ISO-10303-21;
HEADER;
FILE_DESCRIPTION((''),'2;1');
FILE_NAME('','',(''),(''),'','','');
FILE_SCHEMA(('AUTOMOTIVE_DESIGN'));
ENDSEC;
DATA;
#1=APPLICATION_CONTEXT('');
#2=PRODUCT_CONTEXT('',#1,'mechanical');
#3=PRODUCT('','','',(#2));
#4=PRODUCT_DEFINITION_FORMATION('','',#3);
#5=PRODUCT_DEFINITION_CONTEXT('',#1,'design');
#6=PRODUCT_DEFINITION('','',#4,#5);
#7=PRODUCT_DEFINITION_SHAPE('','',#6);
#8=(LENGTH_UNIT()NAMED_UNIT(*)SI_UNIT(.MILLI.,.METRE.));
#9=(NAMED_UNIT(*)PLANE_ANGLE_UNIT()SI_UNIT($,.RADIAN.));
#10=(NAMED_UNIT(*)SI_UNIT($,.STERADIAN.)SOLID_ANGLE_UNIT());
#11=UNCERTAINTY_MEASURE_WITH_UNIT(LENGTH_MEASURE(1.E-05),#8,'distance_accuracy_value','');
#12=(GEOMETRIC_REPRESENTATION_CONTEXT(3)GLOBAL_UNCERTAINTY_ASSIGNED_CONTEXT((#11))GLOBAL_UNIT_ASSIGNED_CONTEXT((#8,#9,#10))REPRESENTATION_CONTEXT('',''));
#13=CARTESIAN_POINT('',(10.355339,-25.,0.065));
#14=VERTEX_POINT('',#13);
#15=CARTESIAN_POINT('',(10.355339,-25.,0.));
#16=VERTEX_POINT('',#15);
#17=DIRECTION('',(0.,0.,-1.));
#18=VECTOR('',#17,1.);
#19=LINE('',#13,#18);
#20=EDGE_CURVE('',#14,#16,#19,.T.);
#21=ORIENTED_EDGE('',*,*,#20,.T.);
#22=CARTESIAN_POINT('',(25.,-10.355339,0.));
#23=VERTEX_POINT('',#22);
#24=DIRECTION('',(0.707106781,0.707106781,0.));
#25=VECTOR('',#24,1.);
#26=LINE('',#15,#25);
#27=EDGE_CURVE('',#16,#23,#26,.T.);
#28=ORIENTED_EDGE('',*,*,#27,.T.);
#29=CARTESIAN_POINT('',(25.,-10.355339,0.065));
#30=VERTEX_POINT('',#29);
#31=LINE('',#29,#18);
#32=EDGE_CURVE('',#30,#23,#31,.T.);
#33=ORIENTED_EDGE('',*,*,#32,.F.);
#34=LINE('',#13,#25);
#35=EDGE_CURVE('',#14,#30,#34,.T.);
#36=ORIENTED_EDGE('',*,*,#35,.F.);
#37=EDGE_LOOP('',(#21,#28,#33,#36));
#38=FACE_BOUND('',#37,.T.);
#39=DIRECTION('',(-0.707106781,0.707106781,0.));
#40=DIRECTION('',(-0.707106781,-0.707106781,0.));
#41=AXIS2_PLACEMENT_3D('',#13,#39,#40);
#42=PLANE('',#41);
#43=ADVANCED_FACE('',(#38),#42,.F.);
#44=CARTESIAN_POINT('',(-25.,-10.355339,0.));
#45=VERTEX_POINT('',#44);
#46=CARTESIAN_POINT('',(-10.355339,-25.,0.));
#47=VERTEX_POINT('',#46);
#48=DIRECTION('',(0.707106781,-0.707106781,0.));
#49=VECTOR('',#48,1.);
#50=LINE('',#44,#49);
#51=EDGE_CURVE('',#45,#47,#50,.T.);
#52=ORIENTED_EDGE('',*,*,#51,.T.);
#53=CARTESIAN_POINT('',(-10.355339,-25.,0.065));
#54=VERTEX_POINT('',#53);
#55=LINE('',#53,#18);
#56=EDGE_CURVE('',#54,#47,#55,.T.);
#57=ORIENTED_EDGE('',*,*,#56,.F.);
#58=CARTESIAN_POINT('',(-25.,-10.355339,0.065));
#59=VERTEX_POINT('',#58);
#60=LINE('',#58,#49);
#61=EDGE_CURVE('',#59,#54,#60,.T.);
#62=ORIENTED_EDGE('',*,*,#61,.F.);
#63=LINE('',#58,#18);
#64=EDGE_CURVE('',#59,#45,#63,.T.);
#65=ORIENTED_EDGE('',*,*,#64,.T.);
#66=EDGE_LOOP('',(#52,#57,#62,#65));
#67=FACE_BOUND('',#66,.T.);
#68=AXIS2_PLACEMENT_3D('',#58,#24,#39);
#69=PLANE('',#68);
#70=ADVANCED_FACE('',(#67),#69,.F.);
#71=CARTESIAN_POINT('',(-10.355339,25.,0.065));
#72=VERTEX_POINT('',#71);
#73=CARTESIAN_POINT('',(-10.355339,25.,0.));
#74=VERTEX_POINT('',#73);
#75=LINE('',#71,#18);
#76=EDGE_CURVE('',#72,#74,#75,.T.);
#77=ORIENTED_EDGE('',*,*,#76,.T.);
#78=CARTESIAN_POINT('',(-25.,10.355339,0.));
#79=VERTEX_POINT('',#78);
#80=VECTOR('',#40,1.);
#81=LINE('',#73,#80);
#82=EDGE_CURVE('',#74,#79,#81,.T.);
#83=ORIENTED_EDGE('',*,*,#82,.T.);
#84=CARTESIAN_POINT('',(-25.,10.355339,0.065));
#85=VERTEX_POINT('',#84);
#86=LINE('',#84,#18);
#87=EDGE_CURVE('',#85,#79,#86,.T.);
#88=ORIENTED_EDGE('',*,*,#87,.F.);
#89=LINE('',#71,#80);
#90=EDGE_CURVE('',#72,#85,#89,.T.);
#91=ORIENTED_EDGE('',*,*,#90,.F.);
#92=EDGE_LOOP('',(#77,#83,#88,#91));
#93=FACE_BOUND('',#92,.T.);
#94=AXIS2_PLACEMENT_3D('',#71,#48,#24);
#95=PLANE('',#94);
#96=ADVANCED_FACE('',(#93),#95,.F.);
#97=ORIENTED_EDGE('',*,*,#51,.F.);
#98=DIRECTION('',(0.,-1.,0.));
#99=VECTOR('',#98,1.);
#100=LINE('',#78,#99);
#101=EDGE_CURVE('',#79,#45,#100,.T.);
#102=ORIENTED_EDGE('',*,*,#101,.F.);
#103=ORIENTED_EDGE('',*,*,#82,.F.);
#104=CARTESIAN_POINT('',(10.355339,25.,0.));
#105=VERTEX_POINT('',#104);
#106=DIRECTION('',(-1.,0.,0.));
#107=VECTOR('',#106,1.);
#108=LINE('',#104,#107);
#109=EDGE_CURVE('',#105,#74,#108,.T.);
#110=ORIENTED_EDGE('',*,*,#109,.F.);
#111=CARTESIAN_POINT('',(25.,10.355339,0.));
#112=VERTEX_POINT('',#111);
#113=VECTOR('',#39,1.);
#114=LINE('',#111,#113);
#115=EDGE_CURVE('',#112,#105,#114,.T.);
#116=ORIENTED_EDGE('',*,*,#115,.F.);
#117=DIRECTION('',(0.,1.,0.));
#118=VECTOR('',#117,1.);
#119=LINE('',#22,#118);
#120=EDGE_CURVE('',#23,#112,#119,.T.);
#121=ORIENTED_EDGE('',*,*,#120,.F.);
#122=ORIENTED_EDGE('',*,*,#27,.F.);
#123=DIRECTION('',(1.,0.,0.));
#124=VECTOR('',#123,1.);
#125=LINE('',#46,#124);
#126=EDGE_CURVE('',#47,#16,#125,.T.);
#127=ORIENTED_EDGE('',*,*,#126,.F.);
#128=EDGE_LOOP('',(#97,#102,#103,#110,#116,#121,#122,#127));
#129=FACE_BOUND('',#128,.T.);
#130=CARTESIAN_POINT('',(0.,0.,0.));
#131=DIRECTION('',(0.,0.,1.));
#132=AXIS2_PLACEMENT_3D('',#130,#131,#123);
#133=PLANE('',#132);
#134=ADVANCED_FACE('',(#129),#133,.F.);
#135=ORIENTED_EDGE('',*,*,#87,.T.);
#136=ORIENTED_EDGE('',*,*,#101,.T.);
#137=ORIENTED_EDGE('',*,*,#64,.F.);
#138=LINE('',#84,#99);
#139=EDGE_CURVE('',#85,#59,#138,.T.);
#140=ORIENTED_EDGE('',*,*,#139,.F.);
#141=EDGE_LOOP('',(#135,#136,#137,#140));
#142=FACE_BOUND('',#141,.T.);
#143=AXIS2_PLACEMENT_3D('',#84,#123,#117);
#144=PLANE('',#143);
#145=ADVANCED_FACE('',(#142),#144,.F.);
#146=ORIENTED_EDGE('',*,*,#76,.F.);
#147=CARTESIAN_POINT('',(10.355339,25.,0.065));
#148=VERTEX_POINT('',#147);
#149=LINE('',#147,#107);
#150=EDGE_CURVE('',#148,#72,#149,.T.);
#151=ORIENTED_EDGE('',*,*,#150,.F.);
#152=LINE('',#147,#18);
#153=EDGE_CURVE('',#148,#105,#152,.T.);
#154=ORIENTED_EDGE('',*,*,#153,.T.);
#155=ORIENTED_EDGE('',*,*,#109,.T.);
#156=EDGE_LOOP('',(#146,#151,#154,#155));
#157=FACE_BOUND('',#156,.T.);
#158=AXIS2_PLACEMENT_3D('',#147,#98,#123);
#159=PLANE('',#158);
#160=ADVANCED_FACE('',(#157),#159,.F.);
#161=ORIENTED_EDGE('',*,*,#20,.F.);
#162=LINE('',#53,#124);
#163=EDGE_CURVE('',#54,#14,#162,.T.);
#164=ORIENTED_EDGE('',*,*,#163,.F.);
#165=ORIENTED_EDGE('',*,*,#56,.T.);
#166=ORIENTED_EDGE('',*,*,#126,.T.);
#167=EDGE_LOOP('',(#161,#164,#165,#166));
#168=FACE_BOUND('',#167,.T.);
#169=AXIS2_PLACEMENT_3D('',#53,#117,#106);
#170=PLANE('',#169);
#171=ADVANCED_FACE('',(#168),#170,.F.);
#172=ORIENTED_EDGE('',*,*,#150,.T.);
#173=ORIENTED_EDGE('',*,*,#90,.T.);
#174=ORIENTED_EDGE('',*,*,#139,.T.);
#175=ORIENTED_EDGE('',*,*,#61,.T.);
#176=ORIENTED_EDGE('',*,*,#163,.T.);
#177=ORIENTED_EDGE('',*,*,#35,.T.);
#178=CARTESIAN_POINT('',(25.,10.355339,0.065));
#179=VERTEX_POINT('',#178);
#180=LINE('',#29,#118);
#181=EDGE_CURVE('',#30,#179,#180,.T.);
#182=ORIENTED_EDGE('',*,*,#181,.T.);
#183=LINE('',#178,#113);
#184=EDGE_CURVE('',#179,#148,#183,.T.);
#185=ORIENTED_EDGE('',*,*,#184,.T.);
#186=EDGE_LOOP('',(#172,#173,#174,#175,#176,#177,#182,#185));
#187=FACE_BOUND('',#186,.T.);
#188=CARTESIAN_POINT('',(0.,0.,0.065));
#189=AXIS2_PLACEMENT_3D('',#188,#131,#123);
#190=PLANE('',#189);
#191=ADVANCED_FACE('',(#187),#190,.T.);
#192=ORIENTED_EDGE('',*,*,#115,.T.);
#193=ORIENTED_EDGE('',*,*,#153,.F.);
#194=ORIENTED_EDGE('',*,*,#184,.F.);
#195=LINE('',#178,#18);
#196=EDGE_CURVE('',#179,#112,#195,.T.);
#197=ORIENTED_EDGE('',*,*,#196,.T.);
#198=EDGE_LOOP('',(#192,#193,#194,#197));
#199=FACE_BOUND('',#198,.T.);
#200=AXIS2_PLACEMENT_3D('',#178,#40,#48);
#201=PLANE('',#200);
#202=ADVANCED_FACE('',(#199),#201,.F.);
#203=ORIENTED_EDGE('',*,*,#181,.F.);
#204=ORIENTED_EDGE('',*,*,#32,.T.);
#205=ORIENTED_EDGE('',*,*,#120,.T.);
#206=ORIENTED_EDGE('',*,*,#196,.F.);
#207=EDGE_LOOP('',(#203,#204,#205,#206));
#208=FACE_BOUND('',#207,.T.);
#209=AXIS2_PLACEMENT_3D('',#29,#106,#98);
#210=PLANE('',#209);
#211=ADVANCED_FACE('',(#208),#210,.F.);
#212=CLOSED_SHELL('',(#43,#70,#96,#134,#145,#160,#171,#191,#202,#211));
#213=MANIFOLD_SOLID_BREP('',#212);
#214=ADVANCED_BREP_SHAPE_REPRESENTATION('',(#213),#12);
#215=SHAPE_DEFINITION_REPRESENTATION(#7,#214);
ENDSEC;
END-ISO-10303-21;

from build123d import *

# Parameters (mm, degrees)
BOSS_EXTRUDE1_DEPTH = 0.065


with BuildPart() as part:
    # Sketch1 → Boss-Extrude1 (new body)
    with BuildSketch(Plane.XY):
        Polygon((-10.355339059, -25), (10.355339059, -25), (25, -10.355339059), (25, 10.355339059), (10.355339059, 25), (-10.355339059, 25), (-25, 10.355339059), (-25, -10.355339059), align=None)
    extrude(amount=BOSS_EXTRUDE1_DEPTH)


solid = part.part
